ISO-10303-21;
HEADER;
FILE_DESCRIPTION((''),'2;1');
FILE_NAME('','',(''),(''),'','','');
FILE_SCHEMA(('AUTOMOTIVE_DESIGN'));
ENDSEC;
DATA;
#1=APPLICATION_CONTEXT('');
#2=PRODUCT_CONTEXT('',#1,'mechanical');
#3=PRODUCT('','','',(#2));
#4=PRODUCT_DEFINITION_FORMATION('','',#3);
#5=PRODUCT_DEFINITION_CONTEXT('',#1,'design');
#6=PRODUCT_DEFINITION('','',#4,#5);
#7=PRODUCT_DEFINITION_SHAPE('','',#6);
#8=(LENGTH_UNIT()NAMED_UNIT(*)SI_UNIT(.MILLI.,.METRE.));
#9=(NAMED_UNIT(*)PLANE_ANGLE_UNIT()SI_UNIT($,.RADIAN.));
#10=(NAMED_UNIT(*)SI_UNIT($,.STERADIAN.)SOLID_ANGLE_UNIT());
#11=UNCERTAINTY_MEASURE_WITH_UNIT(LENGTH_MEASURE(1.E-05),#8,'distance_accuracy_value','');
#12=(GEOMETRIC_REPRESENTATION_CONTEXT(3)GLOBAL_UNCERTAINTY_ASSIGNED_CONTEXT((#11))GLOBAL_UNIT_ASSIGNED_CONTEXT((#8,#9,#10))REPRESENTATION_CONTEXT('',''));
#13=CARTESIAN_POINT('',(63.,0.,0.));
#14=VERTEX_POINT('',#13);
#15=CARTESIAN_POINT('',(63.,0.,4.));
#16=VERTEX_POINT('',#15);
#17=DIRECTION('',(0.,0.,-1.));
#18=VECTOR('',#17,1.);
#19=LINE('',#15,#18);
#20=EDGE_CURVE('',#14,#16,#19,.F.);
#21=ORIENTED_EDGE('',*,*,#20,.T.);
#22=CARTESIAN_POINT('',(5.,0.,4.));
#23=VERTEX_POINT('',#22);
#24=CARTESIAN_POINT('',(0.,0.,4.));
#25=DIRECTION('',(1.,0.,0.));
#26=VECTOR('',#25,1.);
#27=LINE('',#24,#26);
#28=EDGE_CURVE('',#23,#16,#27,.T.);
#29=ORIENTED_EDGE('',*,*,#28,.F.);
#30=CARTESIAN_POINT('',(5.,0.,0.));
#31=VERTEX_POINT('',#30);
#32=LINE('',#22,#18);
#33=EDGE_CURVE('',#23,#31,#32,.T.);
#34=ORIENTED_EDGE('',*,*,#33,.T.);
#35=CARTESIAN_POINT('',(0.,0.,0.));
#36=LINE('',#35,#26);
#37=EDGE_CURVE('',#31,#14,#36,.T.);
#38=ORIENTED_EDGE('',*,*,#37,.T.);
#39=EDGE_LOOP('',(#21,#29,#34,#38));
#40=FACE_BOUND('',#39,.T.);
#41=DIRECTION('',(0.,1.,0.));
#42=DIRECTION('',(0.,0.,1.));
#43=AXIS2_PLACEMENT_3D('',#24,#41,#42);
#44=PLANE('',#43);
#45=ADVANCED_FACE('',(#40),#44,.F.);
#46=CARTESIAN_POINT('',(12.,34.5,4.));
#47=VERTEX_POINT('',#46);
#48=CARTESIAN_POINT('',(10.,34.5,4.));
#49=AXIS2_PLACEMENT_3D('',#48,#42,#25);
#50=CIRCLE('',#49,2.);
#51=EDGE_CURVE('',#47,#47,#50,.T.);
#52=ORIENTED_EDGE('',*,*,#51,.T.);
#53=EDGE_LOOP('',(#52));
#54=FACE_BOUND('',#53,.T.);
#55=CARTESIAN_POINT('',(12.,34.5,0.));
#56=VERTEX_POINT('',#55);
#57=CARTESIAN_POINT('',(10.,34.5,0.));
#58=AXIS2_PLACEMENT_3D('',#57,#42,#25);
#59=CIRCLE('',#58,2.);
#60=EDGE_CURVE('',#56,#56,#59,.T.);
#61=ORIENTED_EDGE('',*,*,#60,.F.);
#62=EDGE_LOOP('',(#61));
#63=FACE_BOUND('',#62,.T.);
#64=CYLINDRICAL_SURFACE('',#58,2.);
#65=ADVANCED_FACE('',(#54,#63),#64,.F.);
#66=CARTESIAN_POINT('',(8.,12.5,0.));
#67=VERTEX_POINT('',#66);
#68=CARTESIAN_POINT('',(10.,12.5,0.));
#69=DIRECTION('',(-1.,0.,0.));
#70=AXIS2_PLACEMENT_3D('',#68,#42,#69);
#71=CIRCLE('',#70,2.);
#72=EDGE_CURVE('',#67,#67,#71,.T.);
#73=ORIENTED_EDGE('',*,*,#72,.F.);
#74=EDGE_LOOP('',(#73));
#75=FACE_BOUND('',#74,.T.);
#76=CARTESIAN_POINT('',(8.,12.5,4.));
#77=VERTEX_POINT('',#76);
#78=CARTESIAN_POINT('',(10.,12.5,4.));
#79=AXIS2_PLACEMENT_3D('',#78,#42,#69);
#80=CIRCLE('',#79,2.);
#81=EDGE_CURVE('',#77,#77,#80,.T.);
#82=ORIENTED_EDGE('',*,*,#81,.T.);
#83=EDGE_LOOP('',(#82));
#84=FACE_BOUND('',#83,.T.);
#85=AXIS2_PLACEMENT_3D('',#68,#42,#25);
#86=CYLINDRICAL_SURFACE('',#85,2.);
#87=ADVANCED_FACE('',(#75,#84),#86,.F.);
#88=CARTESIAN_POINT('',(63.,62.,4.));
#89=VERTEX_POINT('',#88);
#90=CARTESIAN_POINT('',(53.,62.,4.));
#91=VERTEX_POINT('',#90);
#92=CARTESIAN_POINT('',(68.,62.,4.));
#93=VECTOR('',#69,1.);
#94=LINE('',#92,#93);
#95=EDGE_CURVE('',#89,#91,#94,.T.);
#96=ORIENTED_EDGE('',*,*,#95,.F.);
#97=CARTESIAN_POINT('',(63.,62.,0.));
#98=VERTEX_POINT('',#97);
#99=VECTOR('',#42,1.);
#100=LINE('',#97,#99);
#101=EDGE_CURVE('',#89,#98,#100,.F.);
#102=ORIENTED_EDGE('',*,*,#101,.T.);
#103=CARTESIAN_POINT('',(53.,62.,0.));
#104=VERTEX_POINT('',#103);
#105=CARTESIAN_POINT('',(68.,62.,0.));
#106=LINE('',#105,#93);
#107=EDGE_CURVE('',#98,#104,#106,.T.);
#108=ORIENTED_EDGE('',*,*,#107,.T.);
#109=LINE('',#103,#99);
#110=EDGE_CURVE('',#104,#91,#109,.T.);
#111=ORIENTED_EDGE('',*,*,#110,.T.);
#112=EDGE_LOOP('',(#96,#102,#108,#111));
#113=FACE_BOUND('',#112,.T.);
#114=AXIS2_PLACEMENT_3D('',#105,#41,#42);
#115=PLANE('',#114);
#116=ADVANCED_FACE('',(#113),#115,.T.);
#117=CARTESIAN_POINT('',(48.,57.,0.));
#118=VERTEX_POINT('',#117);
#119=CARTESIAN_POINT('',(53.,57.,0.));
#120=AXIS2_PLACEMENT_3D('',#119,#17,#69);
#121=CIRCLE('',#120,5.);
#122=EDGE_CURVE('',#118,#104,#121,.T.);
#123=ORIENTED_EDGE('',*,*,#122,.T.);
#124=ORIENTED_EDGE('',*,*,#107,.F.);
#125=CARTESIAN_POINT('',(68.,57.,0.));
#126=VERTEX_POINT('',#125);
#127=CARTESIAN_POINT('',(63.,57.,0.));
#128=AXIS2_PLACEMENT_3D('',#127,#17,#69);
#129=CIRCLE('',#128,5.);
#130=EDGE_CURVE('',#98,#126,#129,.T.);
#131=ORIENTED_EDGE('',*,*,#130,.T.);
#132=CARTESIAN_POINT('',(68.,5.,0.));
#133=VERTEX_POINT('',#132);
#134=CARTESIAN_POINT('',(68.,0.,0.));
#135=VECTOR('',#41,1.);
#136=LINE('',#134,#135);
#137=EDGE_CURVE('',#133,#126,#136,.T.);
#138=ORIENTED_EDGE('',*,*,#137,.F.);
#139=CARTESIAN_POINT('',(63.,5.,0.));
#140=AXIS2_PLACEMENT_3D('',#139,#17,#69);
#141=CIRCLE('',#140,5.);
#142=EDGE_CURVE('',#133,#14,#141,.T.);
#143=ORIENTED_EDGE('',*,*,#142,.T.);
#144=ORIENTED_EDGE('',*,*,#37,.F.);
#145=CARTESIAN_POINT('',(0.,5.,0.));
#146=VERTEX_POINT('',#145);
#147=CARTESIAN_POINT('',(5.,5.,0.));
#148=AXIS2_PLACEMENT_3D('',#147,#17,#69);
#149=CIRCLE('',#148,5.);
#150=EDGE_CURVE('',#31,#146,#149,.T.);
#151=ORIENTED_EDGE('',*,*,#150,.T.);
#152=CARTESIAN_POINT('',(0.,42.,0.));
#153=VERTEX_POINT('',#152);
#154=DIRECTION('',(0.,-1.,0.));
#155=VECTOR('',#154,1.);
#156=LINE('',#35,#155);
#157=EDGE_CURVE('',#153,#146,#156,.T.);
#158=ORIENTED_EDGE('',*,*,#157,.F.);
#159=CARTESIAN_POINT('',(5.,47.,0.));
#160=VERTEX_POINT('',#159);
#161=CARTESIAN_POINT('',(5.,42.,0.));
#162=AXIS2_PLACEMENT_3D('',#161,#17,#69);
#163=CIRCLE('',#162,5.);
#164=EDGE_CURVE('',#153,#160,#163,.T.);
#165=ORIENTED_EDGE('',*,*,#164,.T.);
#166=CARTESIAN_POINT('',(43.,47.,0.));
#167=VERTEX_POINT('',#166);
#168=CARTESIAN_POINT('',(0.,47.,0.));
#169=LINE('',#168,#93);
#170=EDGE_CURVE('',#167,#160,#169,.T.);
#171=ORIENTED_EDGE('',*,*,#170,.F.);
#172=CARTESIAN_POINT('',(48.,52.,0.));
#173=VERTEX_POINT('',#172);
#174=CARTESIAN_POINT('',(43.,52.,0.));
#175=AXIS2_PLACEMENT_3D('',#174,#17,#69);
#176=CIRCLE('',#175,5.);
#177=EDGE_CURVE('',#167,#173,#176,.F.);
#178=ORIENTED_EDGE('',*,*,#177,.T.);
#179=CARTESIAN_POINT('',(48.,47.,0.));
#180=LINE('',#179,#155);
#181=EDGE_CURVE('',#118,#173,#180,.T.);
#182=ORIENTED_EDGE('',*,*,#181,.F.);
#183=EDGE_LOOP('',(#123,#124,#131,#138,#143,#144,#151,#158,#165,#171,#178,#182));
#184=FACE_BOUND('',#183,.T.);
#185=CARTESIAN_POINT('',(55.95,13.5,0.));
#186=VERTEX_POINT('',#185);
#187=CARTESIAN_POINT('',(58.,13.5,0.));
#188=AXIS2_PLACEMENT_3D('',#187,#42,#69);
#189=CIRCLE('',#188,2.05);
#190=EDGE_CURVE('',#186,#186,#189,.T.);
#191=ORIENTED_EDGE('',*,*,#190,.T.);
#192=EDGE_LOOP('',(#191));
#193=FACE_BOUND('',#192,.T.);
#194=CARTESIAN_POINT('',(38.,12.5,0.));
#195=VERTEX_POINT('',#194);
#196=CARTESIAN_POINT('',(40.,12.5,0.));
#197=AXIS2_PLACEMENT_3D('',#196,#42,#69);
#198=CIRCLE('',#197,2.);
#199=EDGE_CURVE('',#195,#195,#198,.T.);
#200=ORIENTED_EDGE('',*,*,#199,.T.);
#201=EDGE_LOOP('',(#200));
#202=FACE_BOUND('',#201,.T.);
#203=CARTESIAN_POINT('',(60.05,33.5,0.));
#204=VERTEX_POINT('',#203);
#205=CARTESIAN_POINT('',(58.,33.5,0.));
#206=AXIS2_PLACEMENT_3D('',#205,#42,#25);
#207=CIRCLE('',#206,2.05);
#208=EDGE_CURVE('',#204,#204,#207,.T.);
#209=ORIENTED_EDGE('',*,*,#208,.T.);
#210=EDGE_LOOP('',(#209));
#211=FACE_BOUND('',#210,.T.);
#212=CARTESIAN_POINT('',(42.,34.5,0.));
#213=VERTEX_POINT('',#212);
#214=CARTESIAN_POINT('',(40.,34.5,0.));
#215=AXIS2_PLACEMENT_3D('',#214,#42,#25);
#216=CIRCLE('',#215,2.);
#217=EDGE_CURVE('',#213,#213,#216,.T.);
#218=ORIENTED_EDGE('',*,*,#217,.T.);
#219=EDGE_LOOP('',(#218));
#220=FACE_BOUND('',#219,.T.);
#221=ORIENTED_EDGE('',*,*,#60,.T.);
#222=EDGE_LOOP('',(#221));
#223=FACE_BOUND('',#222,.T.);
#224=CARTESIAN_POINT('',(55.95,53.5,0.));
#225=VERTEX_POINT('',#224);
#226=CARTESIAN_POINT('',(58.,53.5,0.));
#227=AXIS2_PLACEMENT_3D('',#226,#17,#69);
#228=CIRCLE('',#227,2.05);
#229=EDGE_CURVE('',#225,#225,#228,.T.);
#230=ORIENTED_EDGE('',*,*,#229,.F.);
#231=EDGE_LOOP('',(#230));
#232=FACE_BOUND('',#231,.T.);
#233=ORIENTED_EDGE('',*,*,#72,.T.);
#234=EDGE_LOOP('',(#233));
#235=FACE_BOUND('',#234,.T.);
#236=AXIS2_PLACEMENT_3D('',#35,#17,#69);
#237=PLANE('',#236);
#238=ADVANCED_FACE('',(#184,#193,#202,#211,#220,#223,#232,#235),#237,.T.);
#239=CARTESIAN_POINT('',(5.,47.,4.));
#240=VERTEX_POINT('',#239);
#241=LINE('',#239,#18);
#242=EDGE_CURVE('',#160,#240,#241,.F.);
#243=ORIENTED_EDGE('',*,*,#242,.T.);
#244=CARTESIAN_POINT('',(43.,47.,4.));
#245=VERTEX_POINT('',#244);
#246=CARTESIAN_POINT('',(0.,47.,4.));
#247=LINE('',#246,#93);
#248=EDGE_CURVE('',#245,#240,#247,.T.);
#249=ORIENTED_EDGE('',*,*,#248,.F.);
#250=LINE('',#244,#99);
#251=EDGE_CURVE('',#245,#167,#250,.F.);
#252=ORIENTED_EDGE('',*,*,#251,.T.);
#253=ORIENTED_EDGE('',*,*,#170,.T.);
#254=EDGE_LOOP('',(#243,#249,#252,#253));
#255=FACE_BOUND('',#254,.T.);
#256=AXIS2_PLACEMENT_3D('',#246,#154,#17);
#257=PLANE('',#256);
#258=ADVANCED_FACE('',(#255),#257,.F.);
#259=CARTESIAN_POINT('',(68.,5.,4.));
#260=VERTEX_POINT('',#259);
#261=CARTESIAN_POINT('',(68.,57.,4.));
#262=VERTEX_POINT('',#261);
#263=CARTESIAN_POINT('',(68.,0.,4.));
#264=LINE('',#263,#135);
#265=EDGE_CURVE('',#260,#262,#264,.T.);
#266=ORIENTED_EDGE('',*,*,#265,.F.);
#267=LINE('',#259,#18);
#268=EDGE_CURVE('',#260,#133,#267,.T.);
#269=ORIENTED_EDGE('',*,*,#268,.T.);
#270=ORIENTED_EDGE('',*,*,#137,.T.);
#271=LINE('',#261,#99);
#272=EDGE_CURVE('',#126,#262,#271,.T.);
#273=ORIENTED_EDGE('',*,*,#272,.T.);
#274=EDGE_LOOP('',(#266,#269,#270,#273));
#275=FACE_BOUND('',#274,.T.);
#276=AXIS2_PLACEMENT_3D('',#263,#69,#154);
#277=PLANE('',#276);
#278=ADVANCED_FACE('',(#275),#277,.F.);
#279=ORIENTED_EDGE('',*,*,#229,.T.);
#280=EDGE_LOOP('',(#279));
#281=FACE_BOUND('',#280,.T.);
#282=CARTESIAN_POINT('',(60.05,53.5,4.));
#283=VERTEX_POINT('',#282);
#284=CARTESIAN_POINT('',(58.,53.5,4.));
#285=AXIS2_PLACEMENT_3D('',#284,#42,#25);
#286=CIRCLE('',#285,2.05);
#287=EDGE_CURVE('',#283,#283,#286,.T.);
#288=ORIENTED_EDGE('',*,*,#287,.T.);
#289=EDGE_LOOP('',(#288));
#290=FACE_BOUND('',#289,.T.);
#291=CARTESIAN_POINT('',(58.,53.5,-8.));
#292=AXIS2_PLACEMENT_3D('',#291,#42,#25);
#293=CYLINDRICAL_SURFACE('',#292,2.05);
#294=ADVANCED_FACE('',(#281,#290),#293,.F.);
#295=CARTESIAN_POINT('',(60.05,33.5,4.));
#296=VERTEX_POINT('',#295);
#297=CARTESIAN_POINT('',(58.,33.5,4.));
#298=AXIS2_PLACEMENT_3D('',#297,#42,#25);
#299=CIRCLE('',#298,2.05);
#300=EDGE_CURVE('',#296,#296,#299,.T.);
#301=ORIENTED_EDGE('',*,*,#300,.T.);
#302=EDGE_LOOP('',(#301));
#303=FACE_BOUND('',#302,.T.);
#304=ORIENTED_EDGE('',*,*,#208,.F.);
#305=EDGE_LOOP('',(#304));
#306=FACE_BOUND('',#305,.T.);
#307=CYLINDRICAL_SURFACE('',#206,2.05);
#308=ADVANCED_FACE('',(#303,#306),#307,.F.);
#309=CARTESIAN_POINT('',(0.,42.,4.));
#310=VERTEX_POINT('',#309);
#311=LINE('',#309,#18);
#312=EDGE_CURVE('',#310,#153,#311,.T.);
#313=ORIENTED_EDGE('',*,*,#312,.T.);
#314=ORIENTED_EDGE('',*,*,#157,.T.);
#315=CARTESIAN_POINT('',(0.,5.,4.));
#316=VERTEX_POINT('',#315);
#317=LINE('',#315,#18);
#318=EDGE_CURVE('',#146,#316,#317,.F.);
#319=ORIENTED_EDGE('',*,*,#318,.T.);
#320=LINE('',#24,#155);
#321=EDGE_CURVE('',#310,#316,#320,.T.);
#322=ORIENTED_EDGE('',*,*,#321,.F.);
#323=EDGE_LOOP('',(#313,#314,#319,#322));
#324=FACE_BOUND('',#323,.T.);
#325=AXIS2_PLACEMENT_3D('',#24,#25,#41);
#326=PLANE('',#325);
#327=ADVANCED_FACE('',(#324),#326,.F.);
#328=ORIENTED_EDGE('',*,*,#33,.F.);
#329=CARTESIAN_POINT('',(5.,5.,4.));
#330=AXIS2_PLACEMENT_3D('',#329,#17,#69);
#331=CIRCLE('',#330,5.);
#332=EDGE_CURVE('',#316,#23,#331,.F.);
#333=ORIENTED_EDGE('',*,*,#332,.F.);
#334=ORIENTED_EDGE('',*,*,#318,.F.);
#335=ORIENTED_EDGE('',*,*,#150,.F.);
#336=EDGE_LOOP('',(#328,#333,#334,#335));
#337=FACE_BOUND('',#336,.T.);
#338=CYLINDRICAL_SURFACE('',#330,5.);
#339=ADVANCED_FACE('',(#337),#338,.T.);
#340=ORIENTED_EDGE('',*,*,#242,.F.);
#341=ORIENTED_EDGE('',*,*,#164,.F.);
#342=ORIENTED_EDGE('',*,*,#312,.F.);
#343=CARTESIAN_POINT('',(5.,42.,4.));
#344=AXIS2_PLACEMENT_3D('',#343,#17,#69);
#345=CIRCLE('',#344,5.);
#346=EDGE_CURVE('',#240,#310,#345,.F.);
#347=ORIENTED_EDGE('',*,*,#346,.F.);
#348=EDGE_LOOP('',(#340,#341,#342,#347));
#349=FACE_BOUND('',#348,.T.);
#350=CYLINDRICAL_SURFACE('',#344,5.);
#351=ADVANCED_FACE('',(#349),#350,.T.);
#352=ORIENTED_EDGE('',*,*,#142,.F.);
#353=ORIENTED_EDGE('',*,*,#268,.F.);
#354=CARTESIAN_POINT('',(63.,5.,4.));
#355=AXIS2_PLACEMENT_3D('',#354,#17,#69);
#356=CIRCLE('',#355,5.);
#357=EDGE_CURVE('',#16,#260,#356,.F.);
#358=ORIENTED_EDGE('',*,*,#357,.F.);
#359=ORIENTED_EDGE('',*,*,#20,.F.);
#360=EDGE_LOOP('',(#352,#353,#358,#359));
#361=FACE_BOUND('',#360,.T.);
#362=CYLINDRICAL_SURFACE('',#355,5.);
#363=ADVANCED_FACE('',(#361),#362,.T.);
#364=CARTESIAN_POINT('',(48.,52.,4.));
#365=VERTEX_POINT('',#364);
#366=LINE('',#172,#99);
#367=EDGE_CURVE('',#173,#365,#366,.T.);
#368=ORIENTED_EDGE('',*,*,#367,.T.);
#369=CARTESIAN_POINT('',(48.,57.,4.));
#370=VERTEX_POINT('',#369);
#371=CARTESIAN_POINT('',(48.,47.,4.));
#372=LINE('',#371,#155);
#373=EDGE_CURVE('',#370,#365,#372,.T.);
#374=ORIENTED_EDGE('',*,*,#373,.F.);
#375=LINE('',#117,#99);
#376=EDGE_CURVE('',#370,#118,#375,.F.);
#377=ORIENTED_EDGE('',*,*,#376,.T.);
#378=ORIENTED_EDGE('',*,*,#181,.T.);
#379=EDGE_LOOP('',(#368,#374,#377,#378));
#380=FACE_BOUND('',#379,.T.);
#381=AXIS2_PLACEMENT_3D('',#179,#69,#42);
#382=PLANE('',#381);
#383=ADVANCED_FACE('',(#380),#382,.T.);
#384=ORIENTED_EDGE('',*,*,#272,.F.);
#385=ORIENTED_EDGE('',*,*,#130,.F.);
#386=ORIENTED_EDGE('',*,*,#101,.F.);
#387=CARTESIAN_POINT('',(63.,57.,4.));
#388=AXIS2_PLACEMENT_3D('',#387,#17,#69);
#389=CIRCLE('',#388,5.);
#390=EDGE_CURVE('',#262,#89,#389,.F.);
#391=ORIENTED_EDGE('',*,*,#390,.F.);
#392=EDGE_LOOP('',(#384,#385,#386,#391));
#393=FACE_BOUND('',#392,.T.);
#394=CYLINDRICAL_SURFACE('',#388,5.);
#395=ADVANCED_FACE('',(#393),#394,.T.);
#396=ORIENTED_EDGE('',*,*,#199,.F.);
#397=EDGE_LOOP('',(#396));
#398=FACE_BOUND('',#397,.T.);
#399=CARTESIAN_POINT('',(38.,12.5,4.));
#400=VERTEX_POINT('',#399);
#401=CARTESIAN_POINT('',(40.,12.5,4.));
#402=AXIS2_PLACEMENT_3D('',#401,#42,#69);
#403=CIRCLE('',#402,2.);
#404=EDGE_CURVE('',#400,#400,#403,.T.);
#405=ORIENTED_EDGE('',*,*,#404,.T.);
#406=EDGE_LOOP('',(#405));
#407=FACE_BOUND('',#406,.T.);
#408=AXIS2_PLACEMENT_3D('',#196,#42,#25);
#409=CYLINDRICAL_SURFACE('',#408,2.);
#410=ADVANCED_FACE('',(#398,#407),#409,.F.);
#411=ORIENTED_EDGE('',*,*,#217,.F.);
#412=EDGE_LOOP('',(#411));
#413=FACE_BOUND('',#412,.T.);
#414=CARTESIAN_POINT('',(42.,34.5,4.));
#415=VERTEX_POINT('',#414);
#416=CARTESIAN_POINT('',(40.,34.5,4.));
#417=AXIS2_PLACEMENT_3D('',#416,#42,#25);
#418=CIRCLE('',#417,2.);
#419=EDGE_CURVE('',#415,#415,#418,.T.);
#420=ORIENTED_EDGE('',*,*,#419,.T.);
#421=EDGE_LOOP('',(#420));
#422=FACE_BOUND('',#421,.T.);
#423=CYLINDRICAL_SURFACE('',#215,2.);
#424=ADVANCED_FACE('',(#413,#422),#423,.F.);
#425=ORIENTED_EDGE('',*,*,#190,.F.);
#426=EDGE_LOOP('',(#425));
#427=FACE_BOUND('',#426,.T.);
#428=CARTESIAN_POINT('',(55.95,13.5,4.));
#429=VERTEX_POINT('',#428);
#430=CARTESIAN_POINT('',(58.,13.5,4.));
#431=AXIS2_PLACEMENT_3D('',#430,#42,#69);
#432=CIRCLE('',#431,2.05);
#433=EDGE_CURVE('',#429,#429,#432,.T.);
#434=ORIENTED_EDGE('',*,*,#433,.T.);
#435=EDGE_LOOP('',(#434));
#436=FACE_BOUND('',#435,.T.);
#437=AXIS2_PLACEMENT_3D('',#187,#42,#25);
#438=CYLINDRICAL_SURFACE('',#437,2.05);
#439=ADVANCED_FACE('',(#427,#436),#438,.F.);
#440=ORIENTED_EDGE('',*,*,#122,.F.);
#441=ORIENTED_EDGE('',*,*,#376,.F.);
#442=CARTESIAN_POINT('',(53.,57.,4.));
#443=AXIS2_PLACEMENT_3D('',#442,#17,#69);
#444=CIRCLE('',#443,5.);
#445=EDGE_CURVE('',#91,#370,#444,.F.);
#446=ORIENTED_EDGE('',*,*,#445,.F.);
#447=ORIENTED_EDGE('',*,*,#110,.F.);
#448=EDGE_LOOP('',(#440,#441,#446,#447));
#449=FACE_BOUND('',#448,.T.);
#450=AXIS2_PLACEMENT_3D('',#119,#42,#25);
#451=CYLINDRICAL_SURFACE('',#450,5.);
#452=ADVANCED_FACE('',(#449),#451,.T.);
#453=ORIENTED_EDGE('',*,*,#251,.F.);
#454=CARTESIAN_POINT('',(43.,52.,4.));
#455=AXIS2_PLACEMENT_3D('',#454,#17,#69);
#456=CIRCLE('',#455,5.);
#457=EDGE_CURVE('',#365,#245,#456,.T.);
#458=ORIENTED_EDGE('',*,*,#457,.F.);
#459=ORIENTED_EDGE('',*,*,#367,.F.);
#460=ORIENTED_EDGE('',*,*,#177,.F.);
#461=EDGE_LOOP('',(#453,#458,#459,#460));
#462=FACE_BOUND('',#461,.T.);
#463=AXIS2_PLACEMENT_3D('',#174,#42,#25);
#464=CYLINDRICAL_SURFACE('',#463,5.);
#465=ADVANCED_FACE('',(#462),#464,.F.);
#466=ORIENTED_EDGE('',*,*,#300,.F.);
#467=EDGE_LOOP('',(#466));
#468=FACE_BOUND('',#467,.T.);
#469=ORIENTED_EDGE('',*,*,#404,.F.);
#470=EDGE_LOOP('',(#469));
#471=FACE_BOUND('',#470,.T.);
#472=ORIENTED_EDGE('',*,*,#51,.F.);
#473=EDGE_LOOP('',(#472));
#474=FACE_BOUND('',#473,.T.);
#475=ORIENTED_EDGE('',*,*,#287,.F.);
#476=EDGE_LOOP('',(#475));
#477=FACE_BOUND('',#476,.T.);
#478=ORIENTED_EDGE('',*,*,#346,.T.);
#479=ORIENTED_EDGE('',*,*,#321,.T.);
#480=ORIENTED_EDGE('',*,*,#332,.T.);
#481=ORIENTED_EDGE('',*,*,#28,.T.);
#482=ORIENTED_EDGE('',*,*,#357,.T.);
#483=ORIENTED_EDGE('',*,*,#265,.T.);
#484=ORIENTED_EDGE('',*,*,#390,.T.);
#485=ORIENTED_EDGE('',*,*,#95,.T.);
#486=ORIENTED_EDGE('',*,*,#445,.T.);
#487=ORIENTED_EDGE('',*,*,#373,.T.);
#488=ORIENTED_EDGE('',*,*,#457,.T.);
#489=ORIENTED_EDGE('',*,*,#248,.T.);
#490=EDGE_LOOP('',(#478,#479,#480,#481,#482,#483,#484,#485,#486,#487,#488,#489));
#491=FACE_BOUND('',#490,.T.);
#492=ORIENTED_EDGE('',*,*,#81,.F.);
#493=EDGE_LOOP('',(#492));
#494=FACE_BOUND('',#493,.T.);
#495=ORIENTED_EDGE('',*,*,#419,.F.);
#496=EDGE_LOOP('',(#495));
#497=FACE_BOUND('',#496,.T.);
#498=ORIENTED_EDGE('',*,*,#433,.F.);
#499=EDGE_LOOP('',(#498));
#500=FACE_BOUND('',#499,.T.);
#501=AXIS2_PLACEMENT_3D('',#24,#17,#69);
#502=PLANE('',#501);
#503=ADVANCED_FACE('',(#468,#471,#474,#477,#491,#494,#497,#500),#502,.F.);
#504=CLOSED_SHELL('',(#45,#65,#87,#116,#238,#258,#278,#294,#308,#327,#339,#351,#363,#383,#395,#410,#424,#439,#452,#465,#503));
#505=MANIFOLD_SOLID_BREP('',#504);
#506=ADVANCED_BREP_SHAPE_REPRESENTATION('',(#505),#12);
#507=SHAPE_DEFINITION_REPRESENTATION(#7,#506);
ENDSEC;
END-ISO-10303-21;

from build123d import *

# Parameters (mm, degrees)
SKETCH_1_W          = 68
SKETCH_1_H          = 47
EXTRUDE_1_DEPTH     = 4
SKETCH_2_R          = 2
SKETCH_2_R_2        = 2.05
CUT_EXTRUDE_1_DEPTH = 4
SKETCH_5_W          = 20
SKETCH_5_H          = 15
EXTRUDE_3_DEPTH     = 4
SKETCH_6_R          = 2.05
CUT_EXTRUDE_3_DEPTH = 12
FILLET_3_R          = 5


with BuildPart() as part:
    # 草图1 → 凸台-拉伸1 (new body)
    with BuildSketch(Plane.XY):
        with Locations((34, 23.5)):
            Rectangle(SKETCH_1_W, SKETCH_1_H)
    extrude(amount=EXTRUDE_1_DEPTH)

    # 草图2 → 切除-拉伸1 (cut)
    with BuildSketch(Plane.XY.offset(4)):
        with Locations((10, 34.5)):
            Circle(SKETCH_2_R)
        with Locations(Location((10, 12.5, 0), (0, 0, 180))):
            Circle(SKETCH_2_R)
        with Locations((40, 34.5)):
            Circle(SKETCH_2_R)
        with Locations(Location((40, 12.5, 0), (0, 0, 180))):
            Circle(SKETCH_2_R)
        with Locations((58, 33.5)):
            Circle(SKETCH_2_R_2)
        with Locations(Location((58, 13.5, 0), (0, 0, 180))):
            Circle(SKETCH_2_R_2)
    extrude(amount=-CUT_EXTRUDE_1_DEPTH, mode=Mode.SUBTRACT)

    # 草图5 → 凸台-拉伸3 (add)
    with BuildSketch(Plane.XY.offset(4)):
        with Locations((58, 54.5)):
            Rectangle(SKETCH_5_W, SKETCH_5_H)
    extrude(amount=-EXTRUDE_3_DEPTH)

    # 草图6 → 切除-拉伸3 (cut)
    with BuildSketch(Plane.XY.offset(4)):
        with Locations((58, 33.5)):
            Circle(SKETCH_6_R)
        with Locations((58, 53.5)):
            Circle(SKETCH_6_R)
    extrude(amount=-CUT_EXTRUDE_3_DEPTH, mode=Mode.SUBTRACT)

    # 圆角3
    fillet_3_edges = [part.edges().sort_by_distance(p)[0] for p in [
        (68, 62, 2),
        (48, 47, 2),
        (48, 62, 2),
        (0, 47, 2),
        (68, 0, 2),
        (0, 0, 2),
    ]]
    fillet(fillet_3_edges, radius=FILLET_3_R)


solid = part.part
